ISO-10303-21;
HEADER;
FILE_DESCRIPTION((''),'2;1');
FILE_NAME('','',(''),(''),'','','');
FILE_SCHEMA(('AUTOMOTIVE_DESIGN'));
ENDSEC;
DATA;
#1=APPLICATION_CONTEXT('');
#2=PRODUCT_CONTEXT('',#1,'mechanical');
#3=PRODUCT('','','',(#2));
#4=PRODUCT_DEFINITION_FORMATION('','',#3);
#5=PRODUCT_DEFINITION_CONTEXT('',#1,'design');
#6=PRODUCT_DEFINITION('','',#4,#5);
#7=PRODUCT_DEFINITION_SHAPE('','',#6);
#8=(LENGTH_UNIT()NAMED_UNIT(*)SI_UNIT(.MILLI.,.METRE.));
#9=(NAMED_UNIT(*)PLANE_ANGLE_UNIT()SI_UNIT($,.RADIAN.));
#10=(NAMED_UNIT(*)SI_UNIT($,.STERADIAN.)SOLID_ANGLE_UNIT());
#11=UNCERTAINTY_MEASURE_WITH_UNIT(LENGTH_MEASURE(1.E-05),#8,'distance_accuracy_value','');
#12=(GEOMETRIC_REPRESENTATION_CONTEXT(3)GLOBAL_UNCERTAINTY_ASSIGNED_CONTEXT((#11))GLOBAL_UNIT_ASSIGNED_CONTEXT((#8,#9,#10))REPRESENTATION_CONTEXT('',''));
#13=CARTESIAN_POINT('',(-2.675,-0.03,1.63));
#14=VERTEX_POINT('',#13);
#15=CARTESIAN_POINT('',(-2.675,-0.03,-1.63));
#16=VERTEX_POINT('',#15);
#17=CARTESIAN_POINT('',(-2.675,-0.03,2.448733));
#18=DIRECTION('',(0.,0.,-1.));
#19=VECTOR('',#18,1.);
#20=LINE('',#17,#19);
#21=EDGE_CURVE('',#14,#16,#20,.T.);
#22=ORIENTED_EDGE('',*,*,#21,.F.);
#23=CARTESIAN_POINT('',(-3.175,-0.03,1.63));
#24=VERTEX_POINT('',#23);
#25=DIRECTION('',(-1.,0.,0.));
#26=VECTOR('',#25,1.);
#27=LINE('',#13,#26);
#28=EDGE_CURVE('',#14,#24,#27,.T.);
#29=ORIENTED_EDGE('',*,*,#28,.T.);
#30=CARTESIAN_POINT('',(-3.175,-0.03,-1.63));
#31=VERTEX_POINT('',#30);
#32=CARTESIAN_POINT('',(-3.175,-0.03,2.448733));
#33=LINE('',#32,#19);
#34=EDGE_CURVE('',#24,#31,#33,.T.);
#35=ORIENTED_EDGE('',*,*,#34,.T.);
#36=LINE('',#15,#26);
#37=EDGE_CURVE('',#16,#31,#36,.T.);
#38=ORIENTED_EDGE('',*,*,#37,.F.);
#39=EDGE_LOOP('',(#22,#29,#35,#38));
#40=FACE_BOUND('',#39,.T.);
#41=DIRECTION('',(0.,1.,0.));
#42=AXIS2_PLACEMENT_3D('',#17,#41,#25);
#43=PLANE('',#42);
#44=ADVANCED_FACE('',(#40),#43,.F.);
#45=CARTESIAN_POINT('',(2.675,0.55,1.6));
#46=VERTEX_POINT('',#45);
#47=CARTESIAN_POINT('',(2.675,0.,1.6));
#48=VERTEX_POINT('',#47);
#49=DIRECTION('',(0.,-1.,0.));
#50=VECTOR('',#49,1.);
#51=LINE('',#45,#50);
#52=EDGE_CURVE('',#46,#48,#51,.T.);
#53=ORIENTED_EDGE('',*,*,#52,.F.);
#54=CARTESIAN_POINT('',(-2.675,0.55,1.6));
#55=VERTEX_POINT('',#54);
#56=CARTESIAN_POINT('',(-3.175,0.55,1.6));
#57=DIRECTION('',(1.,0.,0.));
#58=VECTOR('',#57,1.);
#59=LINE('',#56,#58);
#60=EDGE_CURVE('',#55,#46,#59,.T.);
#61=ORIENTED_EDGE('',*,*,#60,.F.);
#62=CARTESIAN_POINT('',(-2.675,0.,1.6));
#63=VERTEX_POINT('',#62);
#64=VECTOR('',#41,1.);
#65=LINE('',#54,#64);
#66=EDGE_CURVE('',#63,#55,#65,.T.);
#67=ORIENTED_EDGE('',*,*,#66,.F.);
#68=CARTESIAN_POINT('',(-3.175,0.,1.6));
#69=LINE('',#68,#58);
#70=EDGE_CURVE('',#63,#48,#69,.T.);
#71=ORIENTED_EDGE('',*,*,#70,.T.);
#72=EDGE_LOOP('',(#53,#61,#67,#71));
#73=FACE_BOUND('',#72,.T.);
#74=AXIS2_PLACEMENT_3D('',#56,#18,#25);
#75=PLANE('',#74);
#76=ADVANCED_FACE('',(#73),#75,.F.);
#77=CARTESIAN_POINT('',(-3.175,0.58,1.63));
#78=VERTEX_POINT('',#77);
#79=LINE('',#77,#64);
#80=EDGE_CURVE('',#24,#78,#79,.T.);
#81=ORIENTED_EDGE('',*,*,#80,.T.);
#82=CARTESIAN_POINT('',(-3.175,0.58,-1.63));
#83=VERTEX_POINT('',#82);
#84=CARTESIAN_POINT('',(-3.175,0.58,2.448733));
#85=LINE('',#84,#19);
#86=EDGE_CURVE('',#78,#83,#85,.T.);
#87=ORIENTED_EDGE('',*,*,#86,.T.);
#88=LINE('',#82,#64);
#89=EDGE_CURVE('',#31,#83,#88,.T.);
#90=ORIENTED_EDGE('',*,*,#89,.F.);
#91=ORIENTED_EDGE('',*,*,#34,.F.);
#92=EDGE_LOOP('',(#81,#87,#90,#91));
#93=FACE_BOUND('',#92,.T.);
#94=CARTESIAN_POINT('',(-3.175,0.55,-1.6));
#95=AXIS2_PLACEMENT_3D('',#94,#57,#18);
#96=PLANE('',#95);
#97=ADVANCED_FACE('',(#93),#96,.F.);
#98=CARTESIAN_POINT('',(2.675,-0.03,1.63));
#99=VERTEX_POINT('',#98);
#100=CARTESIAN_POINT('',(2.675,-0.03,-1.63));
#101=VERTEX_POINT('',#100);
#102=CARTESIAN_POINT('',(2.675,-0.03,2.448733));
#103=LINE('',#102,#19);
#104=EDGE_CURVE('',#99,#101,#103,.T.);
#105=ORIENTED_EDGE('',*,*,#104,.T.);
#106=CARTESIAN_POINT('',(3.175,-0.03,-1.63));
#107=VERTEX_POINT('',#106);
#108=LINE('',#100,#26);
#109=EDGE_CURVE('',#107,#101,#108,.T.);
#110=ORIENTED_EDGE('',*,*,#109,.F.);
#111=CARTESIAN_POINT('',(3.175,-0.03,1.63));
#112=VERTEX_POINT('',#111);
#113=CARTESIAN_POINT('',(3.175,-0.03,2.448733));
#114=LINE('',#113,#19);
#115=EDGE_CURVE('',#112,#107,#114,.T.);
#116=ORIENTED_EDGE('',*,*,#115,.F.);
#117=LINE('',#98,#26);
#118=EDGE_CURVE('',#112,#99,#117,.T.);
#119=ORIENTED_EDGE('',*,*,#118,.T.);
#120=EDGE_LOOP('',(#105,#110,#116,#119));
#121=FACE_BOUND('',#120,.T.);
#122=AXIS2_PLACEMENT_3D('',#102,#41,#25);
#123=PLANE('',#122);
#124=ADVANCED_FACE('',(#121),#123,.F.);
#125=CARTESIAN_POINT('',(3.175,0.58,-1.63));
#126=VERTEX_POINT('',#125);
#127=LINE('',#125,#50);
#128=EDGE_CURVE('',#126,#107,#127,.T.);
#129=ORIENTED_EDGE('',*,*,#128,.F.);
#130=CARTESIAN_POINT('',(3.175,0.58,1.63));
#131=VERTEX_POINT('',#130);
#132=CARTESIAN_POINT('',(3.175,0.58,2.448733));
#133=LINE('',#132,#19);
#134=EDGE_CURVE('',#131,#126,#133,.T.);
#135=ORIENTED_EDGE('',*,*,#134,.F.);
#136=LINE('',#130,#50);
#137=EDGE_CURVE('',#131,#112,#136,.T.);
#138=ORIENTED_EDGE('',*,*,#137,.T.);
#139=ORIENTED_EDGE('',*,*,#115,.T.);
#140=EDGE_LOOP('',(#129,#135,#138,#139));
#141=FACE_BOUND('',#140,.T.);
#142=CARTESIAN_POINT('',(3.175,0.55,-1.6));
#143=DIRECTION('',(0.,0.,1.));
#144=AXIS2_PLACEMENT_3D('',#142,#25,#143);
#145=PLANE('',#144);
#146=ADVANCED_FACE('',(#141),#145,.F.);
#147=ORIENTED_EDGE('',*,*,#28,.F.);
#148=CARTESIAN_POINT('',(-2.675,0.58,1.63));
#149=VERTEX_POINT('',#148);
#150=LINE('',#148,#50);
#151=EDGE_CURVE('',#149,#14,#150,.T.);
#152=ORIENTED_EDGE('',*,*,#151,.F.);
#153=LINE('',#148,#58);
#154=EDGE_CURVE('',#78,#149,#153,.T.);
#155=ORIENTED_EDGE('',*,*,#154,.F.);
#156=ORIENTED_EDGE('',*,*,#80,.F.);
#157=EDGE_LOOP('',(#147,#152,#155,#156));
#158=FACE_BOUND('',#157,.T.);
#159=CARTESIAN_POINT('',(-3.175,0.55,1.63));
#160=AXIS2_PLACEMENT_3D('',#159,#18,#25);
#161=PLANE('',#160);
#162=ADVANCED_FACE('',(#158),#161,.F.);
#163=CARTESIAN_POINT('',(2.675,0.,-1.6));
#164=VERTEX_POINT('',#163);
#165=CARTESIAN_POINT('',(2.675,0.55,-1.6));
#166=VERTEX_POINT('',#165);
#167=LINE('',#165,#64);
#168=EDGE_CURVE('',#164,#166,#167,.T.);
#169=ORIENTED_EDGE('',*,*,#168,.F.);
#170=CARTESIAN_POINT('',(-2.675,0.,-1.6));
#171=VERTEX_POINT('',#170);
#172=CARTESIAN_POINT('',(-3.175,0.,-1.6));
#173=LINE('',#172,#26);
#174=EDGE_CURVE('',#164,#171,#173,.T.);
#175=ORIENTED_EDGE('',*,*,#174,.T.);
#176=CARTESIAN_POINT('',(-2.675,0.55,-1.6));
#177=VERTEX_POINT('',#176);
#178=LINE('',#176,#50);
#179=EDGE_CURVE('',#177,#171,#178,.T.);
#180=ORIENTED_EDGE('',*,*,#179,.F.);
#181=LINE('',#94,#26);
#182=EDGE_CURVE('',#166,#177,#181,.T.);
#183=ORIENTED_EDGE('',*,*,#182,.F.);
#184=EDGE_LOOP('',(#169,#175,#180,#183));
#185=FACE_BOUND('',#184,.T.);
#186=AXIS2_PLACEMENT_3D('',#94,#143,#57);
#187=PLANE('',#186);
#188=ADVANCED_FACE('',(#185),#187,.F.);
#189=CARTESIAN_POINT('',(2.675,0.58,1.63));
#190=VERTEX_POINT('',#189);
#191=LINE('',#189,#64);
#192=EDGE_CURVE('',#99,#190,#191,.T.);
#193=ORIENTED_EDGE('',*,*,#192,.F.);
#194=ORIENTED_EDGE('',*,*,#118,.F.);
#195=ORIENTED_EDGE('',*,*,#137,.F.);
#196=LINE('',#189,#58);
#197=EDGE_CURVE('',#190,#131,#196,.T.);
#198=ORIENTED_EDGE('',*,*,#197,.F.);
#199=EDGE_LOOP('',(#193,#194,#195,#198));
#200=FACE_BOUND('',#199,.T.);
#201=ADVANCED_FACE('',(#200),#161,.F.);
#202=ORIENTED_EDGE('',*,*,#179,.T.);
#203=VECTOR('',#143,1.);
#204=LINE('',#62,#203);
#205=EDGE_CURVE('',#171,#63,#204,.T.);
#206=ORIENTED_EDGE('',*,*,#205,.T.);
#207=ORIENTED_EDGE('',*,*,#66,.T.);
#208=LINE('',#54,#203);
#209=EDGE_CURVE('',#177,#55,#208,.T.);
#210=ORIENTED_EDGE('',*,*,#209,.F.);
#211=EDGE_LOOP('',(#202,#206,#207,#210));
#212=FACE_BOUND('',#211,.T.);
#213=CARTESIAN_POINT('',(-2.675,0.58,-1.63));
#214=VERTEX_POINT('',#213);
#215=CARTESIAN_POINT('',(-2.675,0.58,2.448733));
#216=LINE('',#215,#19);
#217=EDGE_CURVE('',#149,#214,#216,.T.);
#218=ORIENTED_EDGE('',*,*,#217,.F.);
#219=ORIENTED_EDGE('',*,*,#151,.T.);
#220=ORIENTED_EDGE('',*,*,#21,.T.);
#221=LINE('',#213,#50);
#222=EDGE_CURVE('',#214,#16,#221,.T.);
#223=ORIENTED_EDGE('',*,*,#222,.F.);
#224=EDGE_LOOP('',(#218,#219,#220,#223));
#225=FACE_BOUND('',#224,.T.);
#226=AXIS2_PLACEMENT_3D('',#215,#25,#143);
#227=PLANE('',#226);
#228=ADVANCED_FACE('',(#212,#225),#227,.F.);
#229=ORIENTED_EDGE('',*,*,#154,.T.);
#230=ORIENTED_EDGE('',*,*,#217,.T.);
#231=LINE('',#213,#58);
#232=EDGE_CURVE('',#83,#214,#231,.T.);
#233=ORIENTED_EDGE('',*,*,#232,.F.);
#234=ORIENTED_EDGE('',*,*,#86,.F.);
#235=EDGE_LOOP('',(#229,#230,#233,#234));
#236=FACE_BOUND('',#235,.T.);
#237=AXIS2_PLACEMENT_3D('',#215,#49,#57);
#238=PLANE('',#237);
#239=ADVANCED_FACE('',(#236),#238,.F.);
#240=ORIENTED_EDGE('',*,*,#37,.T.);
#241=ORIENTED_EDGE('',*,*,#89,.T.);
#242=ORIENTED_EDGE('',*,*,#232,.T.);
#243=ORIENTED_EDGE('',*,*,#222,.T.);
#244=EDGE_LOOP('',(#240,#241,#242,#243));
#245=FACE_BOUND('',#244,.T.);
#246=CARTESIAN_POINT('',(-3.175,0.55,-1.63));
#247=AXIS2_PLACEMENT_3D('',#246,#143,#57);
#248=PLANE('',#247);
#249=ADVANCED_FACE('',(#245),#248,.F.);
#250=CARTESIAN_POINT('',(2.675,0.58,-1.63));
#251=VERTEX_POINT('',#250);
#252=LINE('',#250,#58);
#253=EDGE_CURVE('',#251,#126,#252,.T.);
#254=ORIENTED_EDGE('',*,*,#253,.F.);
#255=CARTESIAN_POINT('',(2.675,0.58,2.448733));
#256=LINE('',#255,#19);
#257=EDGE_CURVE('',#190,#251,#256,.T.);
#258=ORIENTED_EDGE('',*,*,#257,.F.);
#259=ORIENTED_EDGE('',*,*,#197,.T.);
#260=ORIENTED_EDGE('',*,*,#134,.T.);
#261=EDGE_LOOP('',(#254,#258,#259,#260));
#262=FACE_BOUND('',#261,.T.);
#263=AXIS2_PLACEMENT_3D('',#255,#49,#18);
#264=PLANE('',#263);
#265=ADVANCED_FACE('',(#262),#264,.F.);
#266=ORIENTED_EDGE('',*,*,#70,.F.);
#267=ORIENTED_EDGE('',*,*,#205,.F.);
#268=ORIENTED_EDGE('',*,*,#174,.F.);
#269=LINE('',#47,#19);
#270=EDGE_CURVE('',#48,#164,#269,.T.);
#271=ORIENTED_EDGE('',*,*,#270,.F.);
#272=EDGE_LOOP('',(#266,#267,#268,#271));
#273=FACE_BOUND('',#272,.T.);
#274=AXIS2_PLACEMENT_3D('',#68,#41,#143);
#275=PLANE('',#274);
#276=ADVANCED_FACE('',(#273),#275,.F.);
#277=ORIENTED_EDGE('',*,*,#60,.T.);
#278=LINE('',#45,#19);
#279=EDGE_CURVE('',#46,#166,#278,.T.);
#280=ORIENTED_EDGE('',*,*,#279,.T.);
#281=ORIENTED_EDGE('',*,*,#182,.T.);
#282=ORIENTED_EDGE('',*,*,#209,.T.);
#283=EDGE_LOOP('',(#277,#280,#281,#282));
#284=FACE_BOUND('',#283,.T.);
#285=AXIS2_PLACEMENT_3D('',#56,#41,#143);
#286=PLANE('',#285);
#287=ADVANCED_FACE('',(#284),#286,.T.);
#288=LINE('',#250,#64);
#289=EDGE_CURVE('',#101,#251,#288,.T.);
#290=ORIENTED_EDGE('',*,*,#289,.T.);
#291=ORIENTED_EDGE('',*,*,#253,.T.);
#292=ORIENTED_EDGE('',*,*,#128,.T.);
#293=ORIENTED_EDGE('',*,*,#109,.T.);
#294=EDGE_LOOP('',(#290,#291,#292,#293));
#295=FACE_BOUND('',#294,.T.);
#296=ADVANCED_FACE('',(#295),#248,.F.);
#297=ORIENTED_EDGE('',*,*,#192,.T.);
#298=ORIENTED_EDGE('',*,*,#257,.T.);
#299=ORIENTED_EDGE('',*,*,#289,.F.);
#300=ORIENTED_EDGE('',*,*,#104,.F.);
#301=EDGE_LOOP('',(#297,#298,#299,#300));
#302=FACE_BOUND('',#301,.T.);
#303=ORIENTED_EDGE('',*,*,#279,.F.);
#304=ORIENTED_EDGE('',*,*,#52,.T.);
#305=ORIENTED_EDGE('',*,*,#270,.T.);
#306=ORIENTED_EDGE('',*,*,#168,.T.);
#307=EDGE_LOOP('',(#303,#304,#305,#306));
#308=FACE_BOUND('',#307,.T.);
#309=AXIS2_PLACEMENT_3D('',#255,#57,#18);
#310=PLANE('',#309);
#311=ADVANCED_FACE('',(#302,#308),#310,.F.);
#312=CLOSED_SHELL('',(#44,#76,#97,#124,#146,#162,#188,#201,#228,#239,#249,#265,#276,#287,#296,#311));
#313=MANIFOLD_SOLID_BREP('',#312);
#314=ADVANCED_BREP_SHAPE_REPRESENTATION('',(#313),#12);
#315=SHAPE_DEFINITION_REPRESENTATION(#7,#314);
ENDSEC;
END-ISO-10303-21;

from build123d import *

# Parameters (mm, degrees)
SKETCH1_W           = 6.35
SKETCH1_H           = 3.2
EXTRUDE1_DEPTH      = 0.55
SKETCH2_W           = 0.5
SKETCH2_H           = 0.61
EXTRUDE2_DEPTH      = 1.63
EXTRUDE2_DEPTH_BACK = 1.63


with BuildPart() as part:
    # Sketch1 → Extrude1 (new body)
    with BuildSketch(Plane(origin=(0, 0, 0), x_dir=(1, 0, 0), z_dir=(0, 1, 0))):
        Rectangle(SKETCH1_W, SKETCH1_H)
    extrude(amount=EXTRUDE1_DEPTH)

    # Sketch2 → Extrude2 (add, two sides)
    with BuildSketch(Plane.XY) as extrude2_sk:
        with Locations((-2.925, 0.275)):
            Rectangle(SKETCH2_W, SKETCH2_H)
        with Locations((2.925, 0.275)):
            Rectangle(SKETCH2_W, SKETCH2_H)
    extrude(amount=EXTRUDE2_DEPTH)
    extrude(extrude2_sk.sketch, amount=-EXTRUDE2_DEPTH_BACK)


solid = part.part
